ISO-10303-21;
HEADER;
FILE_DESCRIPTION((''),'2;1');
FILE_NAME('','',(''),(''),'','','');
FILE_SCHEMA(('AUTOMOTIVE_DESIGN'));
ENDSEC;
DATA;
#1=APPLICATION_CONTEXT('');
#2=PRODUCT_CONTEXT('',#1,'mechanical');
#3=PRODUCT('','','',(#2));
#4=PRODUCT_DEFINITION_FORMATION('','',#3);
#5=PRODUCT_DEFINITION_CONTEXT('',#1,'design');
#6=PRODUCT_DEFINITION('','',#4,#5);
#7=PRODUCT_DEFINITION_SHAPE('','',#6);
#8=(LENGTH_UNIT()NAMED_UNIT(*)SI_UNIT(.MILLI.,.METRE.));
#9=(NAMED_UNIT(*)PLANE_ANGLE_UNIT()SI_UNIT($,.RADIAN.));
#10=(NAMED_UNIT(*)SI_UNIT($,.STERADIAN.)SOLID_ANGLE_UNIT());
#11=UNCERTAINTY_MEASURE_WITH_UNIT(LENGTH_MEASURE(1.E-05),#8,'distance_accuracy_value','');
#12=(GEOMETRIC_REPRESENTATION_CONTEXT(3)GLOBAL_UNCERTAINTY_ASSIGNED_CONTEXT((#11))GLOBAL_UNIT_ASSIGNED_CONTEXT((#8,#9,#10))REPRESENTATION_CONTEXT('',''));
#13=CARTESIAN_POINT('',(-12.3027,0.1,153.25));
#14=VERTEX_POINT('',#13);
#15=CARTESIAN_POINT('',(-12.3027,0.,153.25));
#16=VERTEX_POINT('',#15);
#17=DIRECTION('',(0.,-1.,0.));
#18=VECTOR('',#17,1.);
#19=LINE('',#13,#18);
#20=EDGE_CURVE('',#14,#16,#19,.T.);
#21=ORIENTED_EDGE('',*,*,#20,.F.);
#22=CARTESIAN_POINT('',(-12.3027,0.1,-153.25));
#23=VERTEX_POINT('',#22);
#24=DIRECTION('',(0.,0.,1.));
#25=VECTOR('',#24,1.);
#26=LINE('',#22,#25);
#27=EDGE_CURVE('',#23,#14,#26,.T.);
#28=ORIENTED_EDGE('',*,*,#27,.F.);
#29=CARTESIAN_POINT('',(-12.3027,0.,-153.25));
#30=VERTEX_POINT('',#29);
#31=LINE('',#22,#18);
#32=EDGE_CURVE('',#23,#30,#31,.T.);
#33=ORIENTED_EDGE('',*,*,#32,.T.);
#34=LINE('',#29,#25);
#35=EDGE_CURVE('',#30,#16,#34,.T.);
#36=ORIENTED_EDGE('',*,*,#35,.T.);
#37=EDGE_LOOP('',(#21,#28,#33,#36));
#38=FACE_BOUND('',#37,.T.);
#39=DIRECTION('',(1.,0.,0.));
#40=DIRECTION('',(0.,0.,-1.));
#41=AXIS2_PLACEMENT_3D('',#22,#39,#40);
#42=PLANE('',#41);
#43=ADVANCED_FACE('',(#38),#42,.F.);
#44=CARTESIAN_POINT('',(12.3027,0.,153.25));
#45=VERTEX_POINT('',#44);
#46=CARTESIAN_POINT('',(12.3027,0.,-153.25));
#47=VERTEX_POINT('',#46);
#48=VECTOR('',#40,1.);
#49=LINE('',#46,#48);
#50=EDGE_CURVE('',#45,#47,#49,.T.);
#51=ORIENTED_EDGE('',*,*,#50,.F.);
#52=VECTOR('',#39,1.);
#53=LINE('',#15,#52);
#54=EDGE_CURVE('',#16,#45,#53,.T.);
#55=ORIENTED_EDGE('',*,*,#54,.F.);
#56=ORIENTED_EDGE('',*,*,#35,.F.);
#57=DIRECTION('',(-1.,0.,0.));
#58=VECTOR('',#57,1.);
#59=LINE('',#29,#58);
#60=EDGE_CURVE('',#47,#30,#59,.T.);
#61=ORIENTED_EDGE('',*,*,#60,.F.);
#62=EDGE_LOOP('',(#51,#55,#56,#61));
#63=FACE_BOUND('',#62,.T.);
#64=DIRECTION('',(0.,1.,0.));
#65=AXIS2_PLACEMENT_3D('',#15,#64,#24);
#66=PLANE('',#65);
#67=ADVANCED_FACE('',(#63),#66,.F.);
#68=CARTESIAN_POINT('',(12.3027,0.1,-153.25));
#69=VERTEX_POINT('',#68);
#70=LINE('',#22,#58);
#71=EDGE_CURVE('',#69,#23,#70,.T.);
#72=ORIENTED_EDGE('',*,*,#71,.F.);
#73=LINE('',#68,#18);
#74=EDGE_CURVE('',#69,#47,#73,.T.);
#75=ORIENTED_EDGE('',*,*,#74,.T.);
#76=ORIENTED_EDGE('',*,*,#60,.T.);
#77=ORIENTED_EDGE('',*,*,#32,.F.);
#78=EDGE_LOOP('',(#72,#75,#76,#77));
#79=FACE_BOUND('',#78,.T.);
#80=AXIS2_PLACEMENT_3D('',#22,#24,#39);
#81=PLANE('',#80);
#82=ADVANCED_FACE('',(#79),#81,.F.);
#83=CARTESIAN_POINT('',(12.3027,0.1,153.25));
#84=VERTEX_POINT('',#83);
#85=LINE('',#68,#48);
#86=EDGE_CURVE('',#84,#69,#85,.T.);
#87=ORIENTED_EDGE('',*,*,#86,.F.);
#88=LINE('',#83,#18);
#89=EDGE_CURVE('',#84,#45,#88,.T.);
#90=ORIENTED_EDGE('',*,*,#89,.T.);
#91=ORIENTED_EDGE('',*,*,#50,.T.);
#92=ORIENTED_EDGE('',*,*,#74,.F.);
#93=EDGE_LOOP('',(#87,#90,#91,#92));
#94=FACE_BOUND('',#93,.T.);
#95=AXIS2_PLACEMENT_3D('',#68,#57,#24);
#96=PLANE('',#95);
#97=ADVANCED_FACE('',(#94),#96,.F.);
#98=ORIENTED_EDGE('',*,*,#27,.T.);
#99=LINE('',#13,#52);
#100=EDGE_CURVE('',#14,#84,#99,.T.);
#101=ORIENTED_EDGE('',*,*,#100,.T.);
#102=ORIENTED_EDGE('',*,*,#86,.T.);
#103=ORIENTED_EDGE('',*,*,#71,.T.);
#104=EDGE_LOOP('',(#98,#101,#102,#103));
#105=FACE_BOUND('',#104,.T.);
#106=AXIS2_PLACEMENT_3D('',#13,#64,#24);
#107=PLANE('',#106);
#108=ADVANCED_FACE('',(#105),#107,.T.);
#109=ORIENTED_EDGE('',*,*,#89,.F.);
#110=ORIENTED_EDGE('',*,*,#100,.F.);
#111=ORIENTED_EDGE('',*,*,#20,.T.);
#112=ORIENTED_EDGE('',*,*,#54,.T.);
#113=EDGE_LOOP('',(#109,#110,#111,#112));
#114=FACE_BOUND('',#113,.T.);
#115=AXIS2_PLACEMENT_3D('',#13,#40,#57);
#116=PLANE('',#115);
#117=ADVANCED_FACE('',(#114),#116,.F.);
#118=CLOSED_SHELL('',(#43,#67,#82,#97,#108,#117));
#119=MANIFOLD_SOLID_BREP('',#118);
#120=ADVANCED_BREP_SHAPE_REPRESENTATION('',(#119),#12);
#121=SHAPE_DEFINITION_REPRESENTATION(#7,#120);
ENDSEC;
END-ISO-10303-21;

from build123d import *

# Parameters (mm, degrees)
SKETCH1_W      = 24.6054
SKETCH1_H      = 306.5
EXTRUDE1_DEPTH = 0.1


with BuildPart() as part:
    # Sketch1 → Extrude1 (new body)
    with BuildSketch(Plane(origin=(0, 0, 0), x_dir=(1, 0, 0), z_dir=(0, 1, 0))):
        Rectangle(SKETCH1_W, SKETCH1_H)
    extrude(amount=EXTRUDE1_DEPTH)


solid = part.part
